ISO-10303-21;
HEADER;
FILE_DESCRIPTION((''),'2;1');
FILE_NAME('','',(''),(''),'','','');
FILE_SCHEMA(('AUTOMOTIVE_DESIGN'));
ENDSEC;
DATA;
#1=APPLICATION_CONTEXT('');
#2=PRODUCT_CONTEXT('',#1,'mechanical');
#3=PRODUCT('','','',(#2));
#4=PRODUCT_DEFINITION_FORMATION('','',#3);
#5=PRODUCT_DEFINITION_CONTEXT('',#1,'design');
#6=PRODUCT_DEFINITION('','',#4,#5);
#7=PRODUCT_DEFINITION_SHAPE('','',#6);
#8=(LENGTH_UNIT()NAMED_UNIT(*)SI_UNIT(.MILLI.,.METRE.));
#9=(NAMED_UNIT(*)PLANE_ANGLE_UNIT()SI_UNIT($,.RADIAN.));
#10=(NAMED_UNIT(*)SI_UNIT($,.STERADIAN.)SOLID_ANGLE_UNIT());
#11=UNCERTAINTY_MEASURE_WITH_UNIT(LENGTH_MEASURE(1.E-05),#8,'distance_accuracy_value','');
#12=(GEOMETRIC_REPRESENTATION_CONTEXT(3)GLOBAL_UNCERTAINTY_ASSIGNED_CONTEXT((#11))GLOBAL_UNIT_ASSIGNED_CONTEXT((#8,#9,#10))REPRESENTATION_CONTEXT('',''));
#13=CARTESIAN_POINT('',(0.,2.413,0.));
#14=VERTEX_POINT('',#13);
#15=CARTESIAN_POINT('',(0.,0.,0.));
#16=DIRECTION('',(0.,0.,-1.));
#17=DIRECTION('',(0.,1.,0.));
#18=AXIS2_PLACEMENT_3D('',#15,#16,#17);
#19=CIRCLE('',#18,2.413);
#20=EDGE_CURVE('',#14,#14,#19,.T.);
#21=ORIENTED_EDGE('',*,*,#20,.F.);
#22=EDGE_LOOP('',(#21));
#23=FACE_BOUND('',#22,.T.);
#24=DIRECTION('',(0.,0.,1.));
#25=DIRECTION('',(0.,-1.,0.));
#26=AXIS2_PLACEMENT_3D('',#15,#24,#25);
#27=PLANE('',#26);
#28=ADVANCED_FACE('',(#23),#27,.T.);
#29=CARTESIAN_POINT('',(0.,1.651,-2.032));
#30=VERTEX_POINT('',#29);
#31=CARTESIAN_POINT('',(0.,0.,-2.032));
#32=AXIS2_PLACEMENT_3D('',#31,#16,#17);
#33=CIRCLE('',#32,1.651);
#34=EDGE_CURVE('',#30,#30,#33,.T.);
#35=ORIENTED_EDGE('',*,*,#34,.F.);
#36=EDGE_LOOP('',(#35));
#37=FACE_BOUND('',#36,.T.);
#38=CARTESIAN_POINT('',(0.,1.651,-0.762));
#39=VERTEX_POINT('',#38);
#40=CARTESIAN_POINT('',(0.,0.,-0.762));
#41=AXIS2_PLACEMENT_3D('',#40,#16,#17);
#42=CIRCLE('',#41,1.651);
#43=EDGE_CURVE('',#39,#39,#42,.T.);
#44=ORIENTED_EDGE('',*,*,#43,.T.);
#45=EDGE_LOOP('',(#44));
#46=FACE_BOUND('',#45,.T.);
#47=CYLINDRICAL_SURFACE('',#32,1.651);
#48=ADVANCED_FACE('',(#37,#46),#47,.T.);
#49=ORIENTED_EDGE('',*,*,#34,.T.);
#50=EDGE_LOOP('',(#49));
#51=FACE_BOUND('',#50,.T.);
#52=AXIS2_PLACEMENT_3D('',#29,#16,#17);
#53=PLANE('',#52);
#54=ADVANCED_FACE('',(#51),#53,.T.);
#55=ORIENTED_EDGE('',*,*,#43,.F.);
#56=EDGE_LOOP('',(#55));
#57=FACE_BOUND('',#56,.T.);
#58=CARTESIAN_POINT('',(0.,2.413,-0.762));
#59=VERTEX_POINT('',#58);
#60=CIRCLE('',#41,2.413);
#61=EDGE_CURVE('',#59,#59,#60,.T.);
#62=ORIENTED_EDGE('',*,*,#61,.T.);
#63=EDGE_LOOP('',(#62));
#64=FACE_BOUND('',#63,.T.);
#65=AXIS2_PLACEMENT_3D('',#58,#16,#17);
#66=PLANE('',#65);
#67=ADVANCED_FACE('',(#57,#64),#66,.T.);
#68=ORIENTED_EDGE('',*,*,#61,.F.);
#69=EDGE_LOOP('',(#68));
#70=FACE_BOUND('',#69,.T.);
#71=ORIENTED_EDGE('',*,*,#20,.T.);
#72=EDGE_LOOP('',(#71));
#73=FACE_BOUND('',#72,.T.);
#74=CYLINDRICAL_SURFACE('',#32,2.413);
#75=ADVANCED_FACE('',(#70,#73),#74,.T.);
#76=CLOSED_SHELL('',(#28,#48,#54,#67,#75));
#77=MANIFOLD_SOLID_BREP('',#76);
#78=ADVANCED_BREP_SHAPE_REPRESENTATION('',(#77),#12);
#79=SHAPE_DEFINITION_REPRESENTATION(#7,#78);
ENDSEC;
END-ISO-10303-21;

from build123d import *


with BuildPart() as part:
    # Sketch1 → Revolve1 (revolve)
    with BuildSketch(Plane(origin=(0, 0, 0), x_dir=(0, 0, -1), z_dir=(1, 0, 0))):
        Polygon((0, 0), (0, 2.413), (0.762, 2.413), (0.762, 1.651), (2.032, 1.651), (2.032, 0), align=None)
    revolve(axis=Axis((0, 0, -2.032), (0, 0, 1)))


solid = part.part
